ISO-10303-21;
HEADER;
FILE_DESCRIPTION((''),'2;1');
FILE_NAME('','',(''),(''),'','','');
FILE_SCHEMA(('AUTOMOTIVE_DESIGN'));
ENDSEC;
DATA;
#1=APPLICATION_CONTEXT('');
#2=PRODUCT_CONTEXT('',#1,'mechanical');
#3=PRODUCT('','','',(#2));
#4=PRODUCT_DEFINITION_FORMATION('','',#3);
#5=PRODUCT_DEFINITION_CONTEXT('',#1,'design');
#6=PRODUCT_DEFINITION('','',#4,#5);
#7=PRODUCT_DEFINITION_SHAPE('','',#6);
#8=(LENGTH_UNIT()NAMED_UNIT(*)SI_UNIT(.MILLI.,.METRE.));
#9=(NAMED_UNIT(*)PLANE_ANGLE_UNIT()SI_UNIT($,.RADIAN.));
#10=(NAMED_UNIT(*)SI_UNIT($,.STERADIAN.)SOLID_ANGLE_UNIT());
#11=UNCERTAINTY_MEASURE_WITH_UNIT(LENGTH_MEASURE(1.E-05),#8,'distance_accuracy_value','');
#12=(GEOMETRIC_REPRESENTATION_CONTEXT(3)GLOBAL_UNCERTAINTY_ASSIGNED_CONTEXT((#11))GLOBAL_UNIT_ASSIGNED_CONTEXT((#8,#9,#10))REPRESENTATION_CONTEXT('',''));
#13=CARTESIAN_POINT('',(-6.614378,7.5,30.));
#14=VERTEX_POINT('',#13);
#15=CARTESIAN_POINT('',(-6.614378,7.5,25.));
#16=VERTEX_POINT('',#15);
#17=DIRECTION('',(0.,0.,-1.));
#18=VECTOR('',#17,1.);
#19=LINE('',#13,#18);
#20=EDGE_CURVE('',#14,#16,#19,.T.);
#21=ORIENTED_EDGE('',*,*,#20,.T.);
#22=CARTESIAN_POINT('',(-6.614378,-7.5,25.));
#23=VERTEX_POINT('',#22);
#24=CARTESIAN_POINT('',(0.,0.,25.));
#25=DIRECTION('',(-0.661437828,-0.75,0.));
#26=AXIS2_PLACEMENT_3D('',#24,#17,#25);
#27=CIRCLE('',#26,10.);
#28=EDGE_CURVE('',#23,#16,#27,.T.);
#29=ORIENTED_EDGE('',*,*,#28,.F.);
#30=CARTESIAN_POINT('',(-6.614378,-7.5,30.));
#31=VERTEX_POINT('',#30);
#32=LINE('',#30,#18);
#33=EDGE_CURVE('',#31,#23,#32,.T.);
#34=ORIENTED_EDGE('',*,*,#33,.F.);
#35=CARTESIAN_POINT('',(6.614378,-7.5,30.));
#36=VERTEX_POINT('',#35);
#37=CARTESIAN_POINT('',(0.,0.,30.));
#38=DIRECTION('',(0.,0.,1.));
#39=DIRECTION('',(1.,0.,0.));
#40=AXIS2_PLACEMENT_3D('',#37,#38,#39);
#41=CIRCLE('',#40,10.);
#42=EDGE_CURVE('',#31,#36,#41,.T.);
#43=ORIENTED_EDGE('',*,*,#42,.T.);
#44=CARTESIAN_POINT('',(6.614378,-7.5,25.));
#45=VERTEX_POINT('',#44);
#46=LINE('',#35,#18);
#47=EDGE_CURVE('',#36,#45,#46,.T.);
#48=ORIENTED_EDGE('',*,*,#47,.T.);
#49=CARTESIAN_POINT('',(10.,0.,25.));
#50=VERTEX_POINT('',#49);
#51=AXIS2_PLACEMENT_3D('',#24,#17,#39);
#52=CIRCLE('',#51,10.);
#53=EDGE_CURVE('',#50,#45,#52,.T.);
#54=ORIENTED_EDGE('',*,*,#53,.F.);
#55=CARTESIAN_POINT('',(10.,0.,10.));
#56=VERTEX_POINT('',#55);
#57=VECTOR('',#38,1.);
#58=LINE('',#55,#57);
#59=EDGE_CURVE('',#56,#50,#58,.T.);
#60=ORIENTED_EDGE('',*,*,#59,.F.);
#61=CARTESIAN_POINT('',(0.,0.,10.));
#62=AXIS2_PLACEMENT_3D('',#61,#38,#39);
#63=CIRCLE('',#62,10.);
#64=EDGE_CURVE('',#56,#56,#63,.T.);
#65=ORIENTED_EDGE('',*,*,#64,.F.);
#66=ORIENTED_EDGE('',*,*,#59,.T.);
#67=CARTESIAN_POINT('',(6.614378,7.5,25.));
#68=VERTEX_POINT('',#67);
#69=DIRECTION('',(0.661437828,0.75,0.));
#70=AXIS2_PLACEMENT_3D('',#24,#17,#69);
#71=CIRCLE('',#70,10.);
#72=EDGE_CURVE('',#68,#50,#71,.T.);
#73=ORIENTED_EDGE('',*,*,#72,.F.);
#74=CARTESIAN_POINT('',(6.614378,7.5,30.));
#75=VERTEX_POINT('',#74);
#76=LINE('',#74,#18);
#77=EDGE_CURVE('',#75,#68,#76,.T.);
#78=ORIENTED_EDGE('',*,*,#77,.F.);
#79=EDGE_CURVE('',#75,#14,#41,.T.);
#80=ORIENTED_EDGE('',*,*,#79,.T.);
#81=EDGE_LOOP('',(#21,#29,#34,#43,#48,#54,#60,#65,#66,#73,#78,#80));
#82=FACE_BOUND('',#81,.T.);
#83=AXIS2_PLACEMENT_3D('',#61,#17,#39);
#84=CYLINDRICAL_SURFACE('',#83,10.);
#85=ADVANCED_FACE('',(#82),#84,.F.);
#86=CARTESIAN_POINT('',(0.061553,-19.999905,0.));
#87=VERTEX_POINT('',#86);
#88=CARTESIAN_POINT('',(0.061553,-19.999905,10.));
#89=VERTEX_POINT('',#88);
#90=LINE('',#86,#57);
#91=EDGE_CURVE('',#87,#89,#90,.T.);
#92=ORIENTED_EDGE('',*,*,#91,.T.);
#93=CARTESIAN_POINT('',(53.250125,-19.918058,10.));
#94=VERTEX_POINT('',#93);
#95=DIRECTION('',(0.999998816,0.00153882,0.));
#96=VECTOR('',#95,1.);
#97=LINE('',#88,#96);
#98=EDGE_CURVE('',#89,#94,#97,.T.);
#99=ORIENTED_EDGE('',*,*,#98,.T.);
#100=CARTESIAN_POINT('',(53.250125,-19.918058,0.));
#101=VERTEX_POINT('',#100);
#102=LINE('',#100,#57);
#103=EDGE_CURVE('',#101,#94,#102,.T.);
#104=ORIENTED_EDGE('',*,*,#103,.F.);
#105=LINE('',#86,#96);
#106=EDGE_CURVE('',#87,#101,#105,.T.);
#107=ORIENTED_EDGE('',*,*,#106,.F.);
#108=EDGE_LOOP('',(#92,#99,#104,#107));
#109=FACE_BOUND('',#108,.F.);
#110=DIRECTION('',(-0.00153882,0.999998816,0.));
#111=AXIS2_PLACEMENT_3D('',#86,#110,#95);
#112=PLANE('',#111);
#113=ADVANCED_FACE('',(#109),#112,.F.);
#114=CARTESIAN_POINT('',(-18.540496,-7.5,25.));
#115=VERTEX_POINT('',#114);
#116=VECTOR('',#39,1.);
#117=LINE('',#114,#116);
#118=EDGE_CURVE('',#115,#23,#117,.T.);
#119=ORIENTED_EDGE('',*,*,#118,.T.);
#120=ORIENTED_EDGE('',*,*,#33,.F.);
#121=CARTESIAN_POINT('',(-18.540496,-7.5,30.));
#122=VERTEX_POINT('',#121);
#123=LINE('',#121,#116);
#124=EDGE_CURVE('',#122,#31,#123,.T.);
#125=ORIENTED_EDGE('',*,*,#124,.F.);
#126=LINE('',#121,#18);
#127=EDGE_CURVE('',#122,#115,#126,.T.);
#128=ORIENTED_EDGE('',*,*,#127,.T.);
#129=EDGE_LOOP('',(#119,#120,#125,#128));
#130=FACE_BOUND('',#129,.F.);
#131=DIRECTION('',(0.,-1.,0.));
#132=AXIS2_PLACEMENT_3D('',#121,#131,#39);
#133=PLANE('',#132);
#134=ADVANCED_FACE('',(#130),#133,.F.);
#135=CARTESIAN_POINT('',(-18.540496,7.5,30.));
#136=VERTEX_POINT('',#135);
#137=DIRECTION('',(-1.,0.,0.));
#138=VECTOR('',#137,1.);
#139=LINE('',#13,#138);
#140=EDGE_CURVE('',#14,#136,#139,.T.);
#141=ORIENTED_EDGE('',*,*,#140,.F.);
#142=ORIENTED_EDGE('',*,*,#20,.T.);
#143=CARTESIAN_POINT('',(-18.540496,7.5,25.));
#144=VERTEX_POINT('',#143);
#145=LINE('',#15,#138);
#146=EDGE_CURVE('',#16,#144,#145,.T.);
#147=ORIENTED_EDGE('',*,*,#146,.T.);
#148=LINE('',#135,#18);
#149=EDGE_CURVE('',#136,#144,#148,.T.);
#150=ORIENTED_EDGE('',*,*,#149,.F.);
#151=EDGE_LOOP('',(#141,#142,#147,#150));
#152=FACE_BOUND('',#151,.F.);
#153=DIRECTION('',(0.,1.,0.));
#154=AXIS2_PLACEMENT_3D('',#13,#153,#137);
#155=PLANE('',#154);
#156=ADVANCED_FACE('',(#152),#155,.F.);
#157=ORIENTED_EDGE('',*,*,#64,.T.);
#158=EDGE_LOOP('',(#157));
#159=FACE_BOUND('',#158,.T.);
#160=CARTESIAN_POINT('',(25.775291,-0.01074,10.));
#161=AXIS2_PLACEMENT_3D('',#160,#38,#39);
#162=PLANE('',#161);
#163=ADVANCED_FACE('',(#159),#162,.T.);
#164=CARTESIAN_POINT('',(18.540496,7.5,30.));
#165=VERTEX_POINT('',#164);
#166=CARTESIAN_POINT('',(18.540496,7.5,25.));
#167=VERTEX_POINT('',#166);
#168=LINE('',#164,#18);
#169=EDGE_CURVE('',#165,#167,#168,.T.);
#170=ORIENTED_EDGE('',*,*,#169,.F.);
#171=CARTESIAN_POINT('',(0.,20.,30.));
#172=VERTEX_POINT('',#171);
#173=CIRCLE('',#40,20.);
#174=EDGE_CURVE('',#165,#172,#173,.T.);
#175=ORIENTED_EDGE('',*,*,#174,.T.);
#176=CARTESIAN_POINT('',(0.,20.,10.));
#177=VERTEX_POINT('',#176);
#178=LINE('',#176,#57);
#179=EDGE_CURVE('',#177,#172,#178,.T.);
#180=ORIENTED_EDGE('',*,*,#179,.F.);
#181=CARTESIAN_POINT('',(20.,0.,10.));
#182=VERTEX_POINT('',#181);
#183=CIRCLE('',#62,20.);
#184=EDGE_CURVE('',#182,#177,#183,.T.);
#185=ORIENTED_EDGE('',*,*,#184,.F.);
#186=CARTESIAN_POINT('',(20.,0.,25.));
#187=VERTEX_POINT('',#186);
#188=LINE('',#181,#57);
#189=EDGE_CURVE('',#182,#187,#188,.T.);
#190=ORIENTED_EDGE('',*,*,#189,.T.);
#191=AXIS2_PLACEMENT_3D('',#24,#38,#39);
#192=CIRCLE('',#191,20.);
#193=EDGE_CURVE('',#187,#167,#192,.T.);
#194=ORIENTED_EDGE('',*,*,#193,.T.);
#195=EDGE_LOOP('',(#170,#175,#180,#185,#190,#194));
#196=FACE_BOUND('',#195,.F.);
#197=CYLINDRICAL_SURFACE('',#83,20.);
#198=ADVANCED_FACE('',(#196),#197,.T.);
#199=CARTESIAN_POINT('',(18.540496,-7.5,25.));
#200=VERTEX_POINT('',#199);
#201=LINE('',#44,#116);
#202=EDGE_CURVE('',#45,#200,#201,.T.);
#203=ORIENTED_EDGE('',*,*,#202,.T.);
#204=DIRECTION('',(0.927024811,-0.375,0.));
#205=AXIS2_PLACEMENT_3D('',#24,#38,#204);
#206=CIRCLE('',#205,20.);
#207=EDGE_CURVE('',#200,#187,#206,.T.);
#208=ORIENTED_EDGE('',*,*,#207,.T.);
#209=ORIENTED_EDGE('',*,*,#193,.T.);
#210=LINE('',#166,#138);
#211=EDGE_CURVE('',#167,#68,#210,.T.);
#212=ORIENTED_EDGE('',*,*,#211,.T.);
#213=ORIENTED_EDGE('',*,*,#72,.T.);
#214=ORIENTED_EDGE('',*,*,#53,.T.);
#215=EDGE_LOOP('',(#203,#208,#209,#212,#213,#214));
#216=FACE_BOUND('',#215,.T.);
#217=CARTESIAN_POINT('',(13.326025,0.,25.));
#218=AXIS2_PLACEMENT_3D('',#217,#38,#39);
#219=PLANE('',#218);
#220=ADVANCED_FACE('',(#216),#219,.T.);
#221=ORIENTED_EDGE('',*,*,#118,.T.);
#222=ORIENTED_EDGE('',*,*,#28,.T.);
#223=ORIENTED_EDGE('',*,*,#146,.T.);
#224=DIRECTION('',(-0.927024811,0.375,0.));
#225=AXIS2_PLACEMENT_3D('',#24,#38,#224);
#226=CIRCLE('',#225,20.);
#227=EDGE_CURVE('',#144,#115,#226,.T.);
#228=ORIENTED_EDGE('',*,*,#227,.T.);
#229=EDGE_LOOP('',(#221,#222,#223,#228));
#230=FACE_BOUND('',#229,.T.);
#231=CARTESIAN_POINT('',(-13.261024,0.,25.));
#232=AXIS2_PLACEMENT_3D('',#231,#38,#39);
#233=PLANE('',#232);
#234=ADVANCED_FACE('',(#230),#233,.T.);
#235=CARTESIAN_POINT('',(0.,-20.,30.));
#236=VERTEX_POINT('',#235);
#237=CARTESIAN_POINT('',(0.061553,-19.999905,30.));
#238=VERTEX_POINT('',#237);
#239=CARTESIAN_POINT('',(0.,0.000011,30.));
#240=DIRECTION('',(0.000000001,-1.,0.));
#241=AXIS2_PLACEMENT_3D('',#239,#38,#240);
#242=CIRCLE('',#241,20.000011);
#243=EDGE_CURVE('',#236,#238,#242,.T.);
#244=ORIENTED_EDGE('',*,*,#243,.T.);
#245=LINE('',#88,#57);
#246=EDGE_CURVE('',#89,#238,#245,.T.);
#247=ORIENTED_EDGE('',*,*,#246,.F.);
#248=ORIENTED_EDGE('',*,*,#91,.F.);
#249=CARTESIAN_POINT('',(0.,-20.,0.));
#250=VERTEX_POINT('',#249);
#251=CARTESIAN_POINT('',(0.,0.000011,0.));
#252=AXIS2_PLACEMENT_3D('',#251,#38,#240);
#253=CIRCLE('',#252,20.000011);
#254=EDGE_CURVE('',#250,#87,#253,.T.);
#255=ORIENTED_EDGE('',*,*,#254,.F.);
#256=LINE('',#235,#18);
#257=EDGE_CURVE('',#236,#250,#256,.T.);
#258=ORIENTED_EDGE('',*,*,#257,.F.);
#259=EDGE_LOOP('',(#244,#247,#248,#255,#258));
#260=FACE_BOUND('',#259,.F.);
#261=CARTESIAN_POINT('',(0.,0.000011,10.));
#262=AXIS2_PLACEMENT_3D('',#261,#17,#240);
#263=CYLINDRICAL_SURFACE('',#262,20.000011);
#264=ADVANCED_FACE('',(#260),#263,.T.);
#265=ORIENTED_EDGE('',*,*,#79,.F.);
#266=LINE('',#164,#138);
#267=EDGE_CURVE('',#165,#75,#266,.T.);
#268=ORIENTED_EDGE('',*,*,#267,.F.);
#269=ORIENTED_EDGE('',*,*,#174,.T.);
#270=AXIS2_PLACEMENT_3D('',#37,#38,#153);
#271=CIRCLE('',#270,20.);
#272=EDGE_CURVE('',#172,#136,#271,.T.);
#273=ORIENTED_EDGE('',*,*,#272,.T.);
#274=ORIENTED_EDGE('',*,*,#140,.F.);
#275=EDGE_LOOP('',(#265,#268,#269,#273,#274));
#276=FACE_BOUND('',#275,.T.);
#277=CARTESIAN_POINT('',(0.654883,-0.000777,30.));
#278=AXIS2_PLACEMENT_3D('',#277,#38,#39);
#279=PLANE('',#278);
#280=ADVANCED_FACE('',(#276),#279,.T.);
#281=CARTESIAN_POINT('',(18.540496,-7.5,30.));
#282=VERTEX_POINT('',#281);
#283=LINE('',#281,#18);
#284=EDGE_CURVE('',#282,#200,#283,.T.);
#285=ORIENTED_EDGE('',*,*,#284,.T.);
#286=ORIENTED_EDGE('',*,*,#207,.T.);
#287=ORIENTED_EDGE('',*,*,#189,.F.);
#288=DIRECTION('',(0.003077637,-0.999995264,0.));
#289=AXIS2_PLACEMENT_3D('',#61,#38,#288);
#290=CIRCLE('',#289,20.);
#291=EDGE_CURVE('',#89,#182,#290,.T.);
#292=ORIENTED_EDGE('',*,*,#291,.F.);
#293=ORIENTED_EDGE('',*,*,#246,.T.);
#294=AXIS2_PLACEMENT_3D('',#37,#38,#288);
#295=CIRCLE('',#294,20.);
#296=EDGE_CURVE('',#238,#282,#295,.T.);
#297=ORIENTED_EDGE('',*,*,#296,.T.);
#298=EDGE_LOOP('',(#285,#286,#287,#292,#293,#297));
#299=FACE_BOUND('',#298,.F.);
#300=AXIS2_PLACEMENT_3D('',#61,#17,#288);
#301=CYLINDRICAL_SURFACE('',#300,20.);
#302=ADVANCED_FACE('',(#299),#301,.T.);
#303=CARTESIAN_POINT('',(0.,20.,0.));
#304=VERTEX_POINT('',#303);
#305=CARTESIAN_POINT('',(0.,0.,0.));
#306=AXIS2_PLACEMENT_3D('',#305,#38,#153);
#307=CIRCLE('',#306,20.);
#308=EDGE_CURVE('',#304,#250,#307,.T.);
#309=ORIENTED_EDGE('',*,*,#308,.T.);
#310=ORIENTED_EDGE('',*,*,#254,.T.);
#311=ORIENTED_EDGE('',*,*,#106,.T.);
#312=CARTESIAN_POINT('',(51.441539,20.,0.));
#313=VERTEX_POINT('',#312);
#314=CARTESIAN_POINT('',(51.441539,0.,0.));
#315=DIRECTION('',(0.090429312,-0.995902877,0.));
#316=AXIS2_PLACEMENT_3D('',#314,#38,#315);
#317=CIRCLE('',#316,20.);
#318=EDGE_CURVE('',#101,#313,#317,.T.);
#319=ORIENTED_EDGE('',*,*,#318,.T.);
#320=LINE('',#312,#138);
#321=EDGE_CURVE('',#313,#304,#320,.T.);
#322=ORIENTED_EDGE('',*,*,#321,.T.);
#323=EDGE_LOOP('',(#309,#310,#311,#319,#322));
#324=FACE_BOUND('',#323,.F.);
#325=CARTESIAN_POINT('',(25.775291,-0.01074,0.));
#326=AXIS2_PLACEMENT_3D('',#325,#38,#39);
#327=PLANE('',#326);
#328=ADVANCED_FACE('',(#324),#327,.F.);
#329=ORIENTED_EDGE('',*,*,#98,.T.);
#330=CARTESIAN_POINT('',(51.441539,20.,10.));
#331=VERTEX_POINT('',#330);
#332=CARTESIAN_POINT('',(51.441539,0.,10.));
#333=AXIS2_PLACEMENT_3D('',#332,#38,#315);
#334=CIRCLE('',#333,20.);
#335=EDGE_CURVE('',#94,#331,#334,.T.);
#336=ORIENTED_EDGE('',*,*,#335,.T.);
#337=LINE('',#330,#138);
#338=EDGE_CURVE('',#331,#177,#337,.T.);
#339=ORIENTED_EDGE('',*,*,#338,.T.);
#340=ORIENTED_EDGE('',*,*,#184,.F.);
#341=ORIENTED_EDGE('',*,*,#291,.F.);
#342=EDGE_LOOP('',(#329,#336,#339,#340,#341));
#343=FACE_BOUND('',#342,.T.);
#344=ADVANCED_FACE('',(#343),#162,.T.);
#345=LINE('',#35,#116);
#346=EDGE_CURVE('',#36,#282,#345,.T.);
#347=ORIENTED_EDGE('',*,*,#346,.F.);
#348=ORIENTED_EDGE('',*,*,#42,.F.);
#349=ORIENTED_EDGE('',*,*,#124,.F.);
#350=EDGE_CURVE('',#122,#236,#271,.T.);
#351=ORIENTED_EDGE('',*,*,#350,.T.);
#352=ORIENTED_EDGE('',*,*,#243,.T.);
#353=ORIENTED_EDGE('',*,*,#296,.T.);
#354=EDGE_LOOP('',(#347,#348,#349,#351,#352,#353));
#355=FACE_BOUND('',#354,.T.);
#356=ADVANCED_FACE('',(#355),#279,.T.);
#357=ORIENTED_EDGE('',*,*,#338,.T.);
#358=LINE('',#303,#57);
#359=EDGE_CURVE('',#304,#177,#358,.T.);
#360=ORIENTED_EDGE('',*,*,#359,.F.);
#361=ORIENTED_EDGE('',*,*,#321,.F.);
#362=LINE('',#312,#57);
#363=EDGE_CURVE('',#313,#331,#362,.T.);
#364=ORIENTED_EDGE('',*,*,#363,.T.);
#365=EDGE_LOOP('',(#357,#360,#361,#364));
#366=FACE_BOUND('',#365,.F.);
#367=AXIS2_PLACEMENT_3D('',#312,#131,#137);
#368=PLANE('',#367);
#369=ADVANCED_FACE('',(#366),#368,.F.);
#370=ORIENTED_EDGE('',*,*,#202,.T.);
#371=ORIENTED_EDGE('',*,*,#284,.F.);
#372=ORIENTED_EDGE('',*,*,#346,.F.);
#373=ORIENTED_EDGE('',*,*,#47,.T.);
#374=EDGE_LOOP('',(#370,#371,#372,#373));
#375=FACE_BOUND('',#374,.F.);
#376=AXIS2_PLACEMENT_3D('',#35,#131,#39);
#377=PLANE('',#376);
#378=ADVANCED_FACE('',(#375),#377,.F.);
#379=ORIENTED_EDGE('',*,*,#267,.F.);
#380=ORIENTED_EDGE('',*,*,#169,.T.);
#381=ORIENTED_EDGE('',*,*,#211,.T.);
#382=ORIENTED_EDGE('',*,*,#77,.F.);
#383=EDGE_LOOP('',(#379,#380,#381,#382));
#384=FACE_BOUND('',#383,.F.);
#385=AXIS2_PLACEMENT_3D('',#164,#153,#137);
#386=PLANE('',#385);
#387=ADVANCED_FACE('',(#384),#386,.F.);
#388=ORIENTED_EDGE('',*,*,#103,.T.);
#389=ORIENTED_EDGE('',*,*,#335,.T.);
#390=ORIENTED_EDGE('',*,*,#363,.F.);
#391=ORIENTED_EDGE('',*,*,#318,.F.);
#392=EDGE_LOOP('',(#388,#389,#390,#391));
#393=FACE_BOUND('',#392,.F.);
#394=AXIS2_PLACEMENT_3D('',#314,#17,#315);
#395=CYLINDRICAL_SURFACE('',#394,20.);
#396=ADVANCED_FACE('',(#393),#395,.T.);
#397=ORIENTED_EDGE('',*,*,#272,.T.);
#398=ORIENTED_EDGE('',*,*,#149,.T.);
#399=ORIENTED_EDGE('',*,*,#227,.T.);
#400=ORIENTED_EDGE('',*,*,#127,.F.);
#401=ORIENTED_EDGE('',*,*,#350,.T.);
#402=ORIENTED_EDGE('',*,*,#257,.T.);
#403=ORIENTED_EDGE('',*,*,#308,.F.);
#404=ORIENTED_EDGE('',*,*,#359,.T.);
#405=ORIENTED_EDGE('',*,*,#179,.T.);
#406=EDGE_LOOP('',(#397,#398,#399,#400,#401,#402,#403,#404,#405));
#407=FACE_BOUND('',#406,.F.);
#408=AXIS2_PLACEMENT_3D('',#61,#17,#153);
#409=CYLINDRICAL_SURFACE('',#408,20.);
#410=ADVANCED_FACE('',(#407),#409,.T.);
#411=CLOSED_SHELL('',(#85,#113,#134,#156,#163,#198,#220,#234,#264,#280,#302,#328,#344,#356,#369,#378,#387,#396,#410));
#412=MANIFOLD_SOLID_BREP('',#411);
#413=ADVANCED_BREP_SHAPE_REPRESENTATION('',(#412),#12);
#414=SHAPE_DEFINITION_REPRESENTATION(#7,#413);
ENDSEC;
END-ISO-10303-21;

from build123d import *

# Parameters (mm, degrees)
F1_DEPTH = 10
F2_R     = 10
F3_DEPTH = 20
F5_DEPTH = 5


with BuildPart() as f1:
    # F0 (on Top) → F1 (new body)
    with BuildSketch(Plane.XY):
        with BuildLine():
            Line((51.441539079, 20), (0, 20))
            ThreePointArc((0, 20), (-20, 0), (0, -20))
            ThreePointArc((0, -20), (0.030776405, -19.9999763203), (0.061552737, -19.9999052813))
            Line((0.061552737, -19.9999052813), (49.6942619614, -19.9235293729))
            Line((49.6942619614, -19.9235293729), (53.2501253097, -19.9180575319))
            ThreePointArc((53.2501253097, -19.9180575319), (71.4210429597, 0.905220791), (51.441539079, 20))
        make_face()
    extrude(amount=F1_DEPTH)

    # F2 (on face) → F3 (join)
    with BuildSketch(Plane.XY.offset(10)):
        with BuildLine():
            ThreePointArc((0.061552737, -19.9999052813), (14.1638810843, -14.120356675), (20, 0))
            ThreePointArc((20, 0), (14.1421356237, 14.1421356237), (0, 20))
            ThreePointArc((0, 20), (-20, 0), (0, -20))
            ThreePointArc((0, -20), (0.030776405, -19.9999763203), (0.061552737, -19.9999052813))
        make_face()
        Circle(F2_R, mode=Mode.SUBTRACT)
    extrude(amount=F3_DEPTH)

    # F4 (on face) → F5 (cut)
    with BuildSketch(Plane.XY.offset(30)):
        with BuildLine():
            Line((-6.6143782777, 7.5), (-18.5404962177, 7.5))
            ThreePointArc((-18.5404962177, 7.5), (-20, 0), (-18.5404962177, -7.5))
            Line((-18.5404962177, -7.5), (-6.6143782777, -7.5))
            ThreePointArc((-6.6143782777, -7.5), (-10, 0), (-6.6143782777, 7.5))
        make_face()
        with BuildLine():
            ThreePointArc((20, 0), (19.63173355, 3.8203452491), (18.5404962177, 7.5))
            Line((18.5404962177, 7.5), (6.6143782777, 7.5))
            ThreePointArc((6.6143782777, 7.5), (9.1143782777, 4.1143782777), (10, 0))
            ThreePointArc((10, 0), (9.1143782777, -4.1143782777), (6.6143782777, -7.5))
            Line((6.6143782777, -7.5), (18.5404962177, -7.5))
            ThreePointArc((18.5404962177, -7.5), (19.63173355, -3.8203452491), (20, 0))
        make_face()
    extrude(amount=-F5_DEPTH, mode=Mode.SUBTRACT)


solid = f1.part
